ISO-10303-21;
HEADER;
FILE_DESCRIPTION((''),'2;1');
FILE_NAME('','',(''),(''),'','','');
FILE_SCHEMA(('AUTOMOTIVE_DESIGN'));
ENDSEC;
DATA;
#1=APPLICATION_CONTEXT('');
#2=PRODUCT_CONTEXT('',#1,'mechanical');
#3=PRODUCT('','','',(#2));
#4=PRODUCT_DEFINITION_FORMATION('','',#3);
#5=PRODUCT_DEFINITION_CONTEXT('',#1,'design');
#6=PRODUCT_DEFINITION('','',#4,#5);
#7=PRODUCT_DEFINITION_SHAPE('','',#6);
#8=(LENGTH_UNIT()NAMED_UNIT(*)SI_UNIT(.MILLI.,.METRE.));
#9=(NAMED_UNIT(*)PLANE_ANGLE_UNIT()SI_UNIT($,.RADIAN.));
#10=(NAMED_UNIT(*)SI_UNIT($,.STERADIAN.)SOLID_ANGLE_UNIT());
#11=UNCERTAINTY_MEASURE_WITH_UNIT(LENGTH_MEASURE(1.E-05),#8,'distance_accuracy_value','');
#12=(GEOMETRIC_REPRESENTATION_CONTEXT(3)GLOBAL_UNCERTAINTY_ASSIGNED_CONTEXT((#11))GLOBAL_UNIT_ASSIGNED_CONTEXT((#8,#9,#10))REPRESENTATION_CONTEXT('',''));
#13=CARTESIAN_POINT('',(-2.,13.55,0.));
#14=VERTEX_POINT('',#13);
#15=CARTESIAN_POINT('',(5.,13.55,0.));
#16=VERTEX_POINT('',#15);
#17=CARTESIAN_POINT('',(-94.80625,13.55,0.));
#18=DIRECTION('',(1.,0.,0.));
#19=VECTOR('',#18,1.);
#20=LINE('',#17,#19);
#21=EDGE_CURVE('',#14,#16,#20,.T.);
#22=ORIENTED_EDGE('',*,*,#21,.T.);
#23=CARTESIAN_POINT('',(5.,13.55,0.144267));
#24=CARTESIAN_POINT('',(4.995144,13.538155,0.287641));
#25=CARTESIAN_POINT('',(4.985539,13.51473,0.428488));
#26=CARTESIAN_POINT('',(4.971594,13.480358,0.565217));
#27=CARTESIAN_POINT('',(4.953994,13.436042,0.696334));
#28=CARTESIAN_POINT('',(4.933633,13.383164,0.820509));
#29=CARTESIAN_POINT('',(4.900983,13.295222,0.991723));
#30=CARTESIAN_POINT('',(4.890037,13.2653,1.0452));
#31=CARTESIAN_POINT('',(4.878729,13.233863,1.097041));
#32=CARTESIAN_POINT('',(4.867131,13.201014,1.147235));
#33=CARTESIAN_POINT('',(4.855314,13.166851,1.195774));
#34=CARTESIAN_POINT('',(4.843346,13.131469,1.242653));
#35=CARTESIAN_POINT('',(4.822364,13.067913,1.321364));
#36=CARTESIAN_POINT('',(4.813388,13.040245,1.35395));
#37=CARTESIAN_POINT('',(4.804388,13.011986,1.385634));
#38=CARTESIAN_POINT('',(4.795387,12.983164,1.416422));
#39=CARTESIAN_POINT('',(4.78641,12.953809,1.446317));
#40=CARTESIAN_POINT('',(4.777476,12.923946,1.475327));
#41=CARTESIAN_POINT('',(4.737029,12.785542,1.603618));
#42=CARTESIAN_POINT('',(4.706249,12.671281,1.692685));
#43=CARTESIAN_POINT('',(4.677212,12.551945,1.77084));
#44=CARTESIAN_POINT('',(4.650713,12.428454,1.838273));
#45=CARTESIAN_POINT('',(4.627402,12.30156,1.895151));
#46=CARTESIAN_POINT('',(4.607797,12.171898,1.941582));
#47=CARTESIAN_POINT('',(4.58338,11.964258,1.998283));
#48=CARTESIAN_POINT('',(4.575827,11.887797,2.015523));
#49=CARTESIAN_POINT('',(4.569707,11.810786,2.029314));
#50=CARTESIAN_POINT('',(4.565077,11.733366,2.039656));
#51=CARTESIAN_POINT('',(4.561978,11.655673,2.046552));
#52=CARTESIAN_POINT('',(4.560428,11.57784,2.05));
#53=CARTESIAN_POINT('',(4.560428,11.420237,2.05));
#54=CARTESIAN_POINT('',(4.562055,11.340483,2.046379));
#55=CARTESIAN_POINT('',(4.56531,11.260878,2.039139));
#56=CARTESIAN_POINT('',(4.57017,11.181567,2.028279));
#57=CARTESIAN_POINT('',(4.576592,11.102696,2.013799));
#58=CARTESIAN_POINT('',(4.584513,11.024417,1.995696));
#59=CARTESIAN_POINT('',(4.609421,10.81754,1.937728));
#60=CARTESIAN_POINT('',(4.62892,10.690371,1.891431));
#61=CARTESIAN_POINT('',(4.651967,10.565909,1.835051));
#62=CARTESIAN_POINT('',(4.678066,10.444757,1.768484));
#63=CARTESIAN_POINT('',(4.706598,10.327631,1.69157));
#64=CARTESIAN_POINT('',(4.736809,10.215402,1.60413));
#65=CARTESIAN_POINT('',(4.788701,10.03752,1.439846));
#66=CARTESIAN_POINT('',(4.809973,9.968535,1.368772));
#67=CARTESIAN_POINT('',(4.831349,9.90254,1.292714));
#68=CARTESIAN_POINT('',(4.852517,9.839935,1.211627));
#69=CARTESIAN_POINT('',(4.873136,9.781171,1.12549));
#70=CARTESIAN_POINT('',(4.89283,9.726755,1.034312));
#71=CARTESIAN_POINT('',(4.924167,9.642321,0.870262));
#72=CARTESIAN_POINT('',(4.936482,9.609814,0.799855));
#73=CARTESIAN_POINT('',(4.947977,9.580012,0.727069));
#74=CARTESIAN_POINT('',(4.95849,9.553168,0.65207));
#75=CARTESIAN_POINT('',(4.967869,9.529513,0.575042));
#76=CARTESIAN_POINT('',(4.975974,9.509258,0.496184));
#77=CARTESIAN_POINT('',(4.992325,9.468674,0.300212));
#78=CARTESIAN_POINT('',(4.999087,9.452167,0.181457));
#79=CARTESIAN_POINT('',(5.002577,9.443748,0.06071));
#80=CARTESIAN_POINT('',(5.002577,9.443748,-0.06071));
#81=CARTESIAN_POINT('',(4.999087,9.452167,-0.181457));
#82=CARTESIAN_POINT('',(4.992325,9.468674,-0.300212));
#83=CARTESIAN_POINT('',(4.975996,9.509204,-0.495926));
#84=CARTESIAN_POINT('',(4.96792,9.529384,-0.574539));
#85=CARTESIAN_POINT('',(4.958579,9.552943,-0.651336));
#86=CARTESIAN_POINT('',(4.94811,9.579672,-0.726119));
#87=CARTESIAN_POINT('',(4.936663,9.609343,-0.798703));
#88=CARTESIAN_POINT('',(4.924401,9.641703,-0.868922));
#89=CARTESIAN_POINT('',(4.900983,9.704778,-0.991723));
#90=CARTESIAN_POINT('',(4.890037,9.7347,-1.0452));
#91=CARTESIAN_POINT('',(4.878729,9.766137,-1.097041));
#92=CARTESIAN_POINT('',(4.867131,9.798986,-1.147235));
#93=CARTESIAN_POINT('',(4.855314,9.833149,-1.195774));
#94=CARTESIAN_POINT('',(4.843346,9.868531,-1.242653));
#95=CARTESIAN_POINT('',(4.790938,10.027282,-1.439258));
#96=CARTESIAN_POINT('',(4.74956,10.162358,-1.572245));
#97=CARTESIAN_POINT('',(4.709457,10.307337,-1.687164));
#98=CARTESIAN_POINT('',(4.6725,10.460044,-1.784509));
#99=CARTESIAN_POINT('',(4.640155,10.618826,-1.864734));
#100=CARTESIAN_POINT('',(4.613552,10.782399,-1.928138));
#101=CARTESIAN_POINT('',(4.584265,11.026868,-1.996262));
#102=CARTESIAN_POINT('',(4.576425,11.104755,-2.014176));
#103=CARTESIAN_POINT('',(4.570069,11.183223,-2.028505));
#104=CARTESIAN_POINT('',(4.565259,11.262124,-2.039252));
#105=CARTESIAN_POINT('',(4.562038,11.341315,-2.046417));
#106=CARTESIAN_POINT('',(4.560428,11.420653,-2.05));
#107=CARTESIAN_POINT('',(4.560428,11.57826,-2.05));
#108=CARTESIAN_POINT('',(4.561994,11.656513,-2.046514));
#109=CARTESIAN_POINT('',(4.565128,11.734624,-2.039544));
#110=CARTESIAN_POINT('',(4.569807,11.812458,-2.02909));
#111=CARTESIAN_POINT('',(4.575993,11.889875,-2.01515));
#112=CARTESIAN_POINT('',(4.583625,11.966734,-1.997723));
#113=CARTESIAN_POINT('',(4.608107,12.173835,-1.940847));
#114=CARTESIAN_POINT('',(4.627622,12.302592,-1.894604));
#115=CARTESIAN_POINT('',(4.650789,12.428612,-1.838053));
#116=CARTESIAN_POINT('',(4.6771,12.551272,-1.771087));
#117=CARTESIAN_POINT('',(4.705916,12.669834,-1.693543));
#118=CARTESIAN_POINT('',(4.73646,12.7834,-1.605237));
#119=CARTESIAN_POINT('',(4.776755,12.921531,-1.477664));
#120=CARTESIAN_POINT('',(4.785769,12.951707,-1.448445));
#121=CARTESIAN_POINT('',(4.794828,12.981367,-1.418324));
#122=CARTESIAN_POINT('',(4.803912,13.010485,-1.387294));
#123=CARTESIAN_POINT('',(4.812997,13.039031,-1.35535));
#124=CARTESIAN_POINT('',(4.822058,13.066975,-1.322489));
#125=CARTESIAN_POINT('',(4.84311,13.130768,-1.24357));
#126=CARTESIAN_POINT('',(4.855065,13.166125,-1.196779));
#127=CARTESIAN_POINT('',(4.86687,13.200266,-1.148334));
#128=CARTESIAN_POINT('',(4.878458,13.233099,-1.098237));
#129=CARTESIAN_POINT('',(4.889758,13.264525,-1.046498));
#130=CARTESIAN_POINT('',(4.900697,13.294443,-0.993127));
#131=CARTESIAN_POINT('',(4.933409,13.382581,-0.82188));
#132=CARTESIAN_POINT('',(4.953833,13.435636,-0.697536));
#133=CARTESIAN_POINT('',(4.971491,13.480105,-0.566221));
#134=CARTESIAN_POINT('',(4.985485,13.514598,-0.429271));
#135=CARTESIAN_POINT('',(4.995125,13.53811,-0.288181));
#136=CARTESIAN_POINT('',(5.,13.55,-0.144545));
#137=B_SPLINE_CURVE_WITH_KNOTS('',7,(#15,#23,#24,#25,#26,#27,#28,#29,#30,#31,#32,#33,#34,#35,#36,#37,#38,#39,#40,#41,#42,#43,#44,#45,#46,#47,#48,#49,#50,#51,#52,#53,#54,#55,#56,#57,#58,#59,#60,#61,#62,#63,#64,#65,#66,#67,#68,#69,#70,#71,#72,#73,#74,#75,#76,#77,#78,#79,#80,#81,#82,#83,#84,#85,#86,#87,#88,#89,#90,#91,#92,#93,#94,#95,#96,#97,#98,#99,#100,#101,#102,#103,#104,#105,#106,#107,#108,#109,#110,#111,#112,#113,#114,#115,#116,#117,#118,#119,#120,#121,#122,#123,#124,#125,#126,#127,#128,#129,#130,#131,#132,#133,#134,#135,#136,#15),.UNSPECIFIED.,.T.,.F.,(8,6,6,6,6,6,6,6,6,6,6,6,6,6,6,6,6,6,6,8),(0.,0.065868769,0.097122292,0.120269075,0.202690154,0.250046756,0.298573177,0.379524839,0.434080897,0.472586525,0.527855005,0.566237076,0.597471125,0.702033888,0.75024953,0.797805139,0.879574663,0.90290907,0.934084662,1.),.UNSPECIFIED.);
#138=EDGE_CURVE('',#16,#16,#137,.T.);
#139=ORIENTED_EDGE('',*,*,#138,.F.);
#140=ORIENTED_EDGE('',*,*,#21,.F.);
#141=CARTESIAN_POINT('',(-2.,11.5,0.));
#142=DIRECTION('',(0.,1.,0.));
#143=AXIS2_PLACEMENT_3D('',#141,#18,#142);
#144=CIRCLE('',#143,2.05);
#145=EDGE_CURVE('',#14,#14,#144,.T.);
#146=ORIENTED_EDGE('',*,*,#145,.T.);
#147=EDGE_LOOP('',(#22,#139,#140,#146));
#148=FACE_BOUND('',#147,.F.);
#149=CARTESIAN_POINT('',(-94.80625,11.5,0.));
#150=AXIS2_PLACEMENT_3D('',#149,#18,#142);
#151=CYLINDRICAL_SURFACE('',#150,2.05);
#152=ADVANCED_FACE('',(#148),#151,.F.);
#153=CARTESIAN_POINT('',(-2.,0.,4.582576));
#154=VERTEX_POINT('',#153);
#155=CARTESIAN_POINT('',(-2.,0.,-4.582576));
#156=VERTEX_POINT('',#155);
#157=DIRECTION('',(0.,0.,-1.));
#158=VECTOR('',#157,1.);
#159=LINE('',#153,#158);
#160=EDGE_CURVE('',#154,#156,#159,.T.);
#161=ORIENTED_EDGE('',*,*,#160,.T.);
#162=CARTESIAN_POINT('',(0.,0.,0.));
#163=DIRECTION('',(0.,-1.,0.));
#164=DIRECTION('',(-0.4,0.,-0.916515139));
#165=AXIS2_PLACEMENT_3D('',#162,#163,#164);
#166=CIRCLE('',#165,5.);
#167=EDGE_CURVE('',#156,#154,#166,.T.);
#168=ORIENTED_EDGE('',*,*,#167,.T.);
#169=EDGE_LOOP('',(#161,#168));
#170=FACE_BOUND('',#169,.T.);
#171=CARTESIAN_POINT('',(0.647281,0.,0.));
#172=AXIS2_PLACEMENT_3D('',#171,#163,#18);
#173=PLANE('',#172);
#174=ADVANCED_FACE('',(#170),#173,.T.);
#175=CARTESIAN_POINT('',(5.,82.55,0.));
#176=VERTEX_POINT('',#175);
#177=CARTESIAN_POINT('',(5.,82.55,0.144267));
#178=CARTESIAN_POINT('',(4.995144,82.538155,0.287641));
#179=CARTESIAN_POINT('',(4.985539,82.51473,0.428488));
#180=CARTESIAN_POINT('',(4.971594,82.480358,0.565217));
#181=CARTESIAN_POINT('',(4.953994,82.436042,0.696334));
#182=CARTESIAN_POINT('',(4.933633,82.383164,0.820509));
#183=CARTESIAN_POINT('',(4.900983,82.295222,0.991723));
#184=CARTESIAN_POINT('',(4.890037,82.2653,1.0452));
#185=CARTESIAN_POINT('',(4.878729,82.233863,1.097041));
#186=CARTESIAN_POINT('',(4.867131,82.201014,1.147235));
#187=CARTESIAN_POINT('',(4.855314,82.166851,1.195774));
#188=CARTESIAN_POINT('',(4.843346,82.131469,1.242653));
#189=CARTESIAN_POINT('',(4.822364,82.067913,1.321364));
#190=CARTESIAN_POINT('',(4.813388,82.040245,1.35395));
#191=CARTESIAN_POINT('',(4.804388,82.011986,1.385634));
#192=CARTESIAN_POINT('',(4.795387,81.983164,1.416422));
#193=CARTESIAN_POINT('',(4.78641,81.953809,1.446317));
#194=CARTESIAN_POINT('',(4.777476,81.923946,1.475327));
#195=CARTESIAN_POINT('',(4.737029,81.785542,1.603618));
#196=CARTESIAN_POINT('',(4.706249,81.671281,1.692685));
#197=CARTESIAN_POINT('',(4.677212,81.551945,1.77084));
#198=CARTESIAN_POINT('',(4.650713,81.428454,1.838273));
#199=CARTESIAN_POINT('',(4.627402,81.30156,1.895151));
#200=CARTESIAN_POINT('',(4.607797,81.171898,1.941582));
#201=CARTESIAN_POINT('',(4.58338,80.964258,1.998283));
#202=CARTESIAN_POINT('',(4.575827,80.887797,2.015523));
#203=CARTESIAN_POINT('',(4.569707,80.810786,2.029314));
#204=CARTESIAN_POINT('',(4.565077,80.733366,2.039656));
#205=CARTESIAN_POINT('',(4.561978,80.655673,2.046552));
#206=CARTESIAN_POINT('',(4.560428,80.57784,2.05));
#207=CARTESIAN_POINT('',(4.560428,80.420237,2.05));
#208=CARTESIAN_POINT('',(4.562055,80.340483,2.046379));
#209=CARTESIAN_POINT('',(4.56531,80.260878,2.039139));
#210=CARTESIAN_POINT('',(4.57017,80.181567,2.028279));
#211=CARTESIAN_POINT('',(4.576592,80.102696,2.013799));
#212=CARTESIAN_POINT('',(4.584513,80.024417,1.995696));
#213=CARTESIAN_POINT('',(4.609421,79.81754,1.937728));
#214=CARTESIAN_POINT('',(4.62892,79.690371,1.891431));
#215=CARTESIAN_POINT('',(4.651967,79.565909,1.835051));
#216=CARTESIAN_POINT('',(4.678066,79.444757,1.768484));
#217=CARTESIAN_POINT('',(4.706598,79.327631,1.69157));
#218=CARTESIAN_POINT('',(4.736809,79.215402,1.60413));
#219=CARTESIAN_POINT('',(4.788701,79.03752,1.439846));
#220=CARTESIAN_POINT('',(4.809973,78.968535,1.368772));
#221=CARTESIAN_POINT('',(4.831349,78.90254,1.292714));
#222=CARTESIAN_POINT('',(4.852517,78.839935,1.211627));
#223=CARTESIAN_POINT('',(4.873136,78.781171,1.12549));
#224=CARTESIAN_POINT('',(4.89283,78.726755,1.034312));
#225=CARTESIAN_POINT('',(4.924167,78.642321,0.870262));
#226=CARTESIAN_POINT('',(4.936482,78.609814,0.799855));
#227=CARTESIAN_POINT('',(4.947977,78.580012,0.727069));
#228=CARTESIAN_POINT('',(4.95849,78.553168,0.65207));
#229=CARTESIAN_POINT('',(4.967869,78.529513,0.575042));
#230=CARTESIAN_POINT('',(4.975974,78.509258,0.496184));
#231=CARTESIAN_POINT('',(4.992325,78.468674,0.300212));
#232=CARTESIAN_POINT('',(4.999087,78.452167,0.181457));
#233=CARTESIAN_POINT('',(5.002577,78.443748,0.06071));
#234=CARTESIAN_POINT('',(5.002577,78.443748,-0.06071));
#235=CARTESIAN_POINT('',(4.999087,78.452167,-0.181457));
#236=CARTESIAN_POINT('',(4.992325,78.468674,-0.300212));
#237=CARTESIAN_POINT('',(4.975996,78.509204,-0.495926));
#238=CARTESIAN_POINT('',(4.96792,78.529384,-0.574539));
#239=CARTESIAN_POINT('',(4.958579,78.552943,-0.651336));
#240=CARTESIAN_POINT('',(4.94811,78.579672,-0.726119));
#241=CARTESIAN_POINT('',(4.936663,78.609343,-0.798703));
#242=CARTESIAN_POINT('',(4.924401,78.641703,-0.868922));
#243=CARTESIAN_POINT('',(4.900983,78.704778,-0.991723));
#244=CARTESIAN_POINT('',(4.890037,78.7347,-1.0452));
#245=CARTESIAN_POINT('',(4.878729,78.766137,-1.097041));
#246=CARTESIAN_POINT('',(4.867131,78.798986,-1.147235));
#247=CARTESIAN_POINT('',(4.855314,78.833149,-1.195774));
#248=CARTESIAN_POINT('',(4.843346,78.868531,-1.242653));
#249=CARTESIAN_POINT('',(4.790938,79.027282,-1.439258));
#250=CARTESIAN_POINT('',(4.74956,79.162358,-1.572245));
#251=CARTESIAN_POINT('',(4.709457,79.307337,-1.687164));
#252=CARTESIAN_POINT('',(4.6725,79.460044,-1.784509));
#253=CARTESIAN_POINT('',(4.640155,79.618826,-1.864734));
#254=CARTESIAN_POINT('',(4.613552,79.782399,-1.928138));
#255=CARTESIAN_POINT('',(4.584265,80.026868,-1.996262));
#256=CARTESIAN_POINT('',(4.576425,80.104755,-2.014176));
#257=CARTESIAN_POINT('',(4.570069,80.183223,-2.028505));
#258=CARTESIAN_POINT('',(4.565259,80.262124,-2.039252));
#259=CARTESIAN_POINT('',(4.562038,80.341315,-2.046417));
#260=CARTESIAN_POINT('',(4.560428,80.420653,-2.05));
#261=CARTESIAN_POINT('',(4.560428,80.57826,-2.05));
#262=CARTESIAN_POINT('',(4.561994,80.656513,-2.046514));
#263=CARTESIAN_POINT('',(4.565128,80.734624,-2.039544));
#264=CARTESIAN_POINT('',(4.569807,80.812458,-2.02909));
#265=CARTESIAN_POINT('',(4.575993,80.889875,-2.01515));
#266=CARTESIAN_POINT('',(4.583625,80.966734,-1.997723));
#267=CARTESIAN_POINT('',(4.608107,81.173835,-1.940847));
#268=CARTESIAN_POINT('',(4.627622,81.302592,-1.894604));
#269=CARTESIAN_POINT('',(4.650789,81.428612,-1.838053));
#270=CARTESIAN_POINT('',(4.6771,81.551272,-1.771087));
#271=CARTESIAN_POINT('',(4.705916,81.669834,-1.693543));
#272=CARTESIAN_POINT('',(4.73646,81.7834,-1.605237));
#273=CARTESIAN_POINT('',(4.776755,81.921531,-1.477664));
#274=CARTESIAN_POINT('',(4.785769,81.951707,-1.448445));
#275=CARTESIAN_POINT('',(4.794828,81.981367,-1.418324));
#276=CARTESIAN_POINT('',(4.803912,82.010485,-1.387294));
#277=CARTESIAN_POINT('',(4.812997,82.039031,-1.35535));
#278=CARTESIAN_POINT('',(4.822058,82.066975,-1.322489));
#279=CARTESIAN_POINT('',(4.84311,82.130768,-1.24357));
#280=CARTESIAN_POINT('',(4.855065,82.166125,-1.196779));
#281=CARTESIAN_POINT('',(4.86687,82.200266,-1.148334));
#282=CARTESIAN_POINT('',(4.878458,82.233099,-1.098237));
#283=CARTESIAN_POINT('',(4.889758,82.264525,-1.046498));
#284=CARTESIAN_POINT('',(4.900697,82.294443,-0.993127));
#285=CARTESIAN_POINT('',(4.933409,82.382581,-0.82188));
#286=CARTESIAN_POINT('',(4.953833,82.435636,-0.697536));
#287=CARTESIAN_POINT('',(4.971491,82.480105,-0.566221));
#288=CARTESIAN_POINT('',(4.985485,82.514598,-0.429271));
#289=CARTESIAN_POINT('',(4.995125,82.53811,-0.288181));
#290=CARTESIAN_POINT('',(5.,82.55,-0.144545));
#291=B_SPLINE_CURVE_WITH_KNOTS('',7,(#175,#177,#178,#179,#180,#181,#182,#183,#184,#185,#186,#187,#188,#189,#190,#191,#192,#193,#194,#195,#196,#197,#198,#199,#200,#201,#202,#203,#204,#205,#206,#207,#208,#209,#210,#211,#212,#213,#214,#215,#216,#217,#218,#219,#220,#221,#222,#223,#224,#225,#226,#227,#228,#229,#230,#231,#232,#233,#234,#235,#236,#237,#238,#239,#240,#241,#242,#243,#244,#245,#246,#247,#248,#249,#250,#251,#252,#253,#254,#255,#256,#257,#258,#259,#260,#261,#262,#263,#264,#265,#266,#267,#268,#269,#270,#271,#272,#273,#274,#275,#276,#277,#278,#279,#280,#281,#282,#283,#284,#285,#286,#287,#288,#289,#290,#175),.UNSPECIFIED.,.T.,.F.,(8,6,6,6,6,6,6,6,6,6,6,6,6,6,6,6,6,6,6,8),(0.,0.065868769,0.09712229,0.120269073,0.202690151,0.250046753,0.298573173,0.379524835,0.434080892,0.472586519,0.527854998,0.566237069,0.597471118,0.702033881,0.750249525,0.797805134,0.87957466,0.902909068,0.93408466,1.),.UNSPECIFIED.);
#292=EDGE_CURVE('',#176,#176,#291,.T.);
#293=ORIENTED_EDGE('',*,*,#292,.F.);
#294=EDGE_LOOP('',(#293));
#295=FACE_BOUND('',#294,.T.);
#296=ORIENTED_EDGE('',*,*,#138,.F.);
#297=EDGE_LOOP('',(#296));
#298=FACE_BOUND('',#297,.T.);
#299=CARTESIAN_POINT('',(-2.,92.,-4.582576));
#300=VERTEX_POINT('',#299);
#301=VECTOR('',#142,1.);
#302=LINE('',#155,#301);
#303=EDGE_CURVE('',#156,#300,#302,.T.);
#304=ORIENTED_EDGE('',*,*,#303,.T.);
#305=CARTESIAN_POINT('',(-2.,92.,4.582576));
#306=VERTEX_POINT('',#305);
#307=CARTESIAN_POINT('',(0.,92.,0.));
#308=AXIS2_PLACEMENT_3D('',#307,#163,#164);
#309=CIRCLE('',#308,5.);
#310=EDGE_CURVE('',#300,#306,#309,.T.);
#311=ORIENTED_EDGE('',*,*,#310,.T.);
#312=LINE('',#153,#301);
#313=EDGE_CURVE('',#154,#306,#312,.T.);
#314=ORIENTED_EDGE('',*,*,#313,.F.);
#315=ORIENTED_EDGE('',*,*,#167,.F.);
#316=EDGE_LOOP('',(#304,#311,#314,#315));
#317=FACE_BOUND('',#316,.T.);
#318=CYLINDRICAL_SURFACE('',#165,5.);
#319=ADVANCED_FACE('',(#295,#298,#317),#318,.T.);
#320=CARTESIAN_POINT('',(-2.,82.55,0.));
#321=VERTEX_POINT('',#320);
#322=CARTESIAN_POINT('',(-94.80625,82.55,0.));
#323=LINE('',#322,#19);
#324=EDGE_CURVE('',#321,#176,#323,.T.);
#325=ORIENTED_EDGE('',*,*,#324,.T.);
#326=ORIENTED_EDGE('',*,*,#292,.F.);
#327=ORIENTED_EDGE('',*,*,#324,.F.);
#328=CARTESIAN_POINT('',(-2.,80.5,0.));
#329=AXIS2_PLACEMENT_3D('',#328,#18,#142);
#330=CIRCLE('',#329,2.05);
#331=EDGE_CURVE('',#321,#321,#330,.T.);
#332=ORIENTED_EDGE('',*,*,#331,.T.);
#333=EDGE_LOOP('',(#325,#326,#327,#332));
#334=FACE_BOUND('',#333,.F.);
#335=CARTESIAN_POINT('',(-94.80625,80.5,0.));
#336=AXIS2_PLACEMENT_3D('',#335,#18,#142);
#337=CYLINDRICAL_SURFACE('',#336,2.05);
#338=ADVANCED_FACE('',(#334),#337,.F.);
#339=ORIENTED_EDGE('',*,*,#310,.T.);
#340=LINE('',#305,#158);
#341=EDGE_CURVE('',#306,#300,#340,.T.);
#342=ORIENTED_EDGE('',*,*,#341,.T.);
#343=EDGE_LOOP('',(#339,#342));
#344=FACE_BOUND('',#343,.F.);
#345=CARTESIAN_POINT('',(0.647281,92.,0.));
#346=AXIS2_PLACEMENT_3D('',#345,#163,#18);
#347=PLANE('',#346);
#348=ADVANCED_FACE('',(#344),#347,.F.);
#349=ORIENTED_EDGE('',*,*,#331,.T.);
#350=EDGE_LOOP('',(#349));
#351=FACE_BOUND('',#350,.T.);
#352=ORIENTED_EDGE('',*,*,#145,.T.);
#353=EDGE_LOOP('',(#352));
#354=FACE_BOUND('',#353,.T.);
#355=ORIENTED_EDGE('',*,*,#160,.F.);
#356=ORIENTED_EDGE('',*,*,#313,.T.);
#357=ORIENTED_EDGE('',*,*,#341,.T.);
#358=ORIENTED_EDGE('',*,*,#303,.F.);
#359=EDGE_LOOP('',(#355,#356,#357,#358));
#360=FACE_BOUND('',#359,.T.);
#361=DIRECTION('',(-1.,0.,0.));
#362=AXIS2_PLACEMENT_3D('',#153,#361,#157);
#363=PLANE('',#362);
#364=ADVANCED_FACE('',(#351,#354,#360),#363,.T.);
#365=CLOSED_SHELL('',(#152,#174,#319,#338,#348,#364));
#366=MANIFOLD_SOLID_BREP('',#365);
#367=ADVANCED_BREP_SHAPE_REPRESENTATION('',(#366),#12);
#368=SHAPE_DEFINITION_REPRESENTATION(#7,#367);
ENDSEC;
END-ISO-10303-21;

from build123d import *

# Parameters (mm, degrees)
F1_DEPTH = 92
F3_D     = 4.1


with BuildPart() as f1:
    # F0 (on Front) → F1 (new body)
    with BuildSketch(Plane.XZ):
        with BuildLine():
            Line((-2, 4.582575695), (-2, -4.582575695))
            ThreePointArc((-2, -4.582575695), (5, 0), (-2, 4.582575695))
        make_face()
    extrude(amount=-F1_DEPTH)

    # F3 (through all)
    with Locations(Plane(origin=(-2, 0, 0), x_dir=(0, -1, 0), z_dir=(-1, 0, 0))):
        with Locations((-80.5, 0), (-11.5, 0)):
            Hole(F3_D / 2)


solid = f1.part
